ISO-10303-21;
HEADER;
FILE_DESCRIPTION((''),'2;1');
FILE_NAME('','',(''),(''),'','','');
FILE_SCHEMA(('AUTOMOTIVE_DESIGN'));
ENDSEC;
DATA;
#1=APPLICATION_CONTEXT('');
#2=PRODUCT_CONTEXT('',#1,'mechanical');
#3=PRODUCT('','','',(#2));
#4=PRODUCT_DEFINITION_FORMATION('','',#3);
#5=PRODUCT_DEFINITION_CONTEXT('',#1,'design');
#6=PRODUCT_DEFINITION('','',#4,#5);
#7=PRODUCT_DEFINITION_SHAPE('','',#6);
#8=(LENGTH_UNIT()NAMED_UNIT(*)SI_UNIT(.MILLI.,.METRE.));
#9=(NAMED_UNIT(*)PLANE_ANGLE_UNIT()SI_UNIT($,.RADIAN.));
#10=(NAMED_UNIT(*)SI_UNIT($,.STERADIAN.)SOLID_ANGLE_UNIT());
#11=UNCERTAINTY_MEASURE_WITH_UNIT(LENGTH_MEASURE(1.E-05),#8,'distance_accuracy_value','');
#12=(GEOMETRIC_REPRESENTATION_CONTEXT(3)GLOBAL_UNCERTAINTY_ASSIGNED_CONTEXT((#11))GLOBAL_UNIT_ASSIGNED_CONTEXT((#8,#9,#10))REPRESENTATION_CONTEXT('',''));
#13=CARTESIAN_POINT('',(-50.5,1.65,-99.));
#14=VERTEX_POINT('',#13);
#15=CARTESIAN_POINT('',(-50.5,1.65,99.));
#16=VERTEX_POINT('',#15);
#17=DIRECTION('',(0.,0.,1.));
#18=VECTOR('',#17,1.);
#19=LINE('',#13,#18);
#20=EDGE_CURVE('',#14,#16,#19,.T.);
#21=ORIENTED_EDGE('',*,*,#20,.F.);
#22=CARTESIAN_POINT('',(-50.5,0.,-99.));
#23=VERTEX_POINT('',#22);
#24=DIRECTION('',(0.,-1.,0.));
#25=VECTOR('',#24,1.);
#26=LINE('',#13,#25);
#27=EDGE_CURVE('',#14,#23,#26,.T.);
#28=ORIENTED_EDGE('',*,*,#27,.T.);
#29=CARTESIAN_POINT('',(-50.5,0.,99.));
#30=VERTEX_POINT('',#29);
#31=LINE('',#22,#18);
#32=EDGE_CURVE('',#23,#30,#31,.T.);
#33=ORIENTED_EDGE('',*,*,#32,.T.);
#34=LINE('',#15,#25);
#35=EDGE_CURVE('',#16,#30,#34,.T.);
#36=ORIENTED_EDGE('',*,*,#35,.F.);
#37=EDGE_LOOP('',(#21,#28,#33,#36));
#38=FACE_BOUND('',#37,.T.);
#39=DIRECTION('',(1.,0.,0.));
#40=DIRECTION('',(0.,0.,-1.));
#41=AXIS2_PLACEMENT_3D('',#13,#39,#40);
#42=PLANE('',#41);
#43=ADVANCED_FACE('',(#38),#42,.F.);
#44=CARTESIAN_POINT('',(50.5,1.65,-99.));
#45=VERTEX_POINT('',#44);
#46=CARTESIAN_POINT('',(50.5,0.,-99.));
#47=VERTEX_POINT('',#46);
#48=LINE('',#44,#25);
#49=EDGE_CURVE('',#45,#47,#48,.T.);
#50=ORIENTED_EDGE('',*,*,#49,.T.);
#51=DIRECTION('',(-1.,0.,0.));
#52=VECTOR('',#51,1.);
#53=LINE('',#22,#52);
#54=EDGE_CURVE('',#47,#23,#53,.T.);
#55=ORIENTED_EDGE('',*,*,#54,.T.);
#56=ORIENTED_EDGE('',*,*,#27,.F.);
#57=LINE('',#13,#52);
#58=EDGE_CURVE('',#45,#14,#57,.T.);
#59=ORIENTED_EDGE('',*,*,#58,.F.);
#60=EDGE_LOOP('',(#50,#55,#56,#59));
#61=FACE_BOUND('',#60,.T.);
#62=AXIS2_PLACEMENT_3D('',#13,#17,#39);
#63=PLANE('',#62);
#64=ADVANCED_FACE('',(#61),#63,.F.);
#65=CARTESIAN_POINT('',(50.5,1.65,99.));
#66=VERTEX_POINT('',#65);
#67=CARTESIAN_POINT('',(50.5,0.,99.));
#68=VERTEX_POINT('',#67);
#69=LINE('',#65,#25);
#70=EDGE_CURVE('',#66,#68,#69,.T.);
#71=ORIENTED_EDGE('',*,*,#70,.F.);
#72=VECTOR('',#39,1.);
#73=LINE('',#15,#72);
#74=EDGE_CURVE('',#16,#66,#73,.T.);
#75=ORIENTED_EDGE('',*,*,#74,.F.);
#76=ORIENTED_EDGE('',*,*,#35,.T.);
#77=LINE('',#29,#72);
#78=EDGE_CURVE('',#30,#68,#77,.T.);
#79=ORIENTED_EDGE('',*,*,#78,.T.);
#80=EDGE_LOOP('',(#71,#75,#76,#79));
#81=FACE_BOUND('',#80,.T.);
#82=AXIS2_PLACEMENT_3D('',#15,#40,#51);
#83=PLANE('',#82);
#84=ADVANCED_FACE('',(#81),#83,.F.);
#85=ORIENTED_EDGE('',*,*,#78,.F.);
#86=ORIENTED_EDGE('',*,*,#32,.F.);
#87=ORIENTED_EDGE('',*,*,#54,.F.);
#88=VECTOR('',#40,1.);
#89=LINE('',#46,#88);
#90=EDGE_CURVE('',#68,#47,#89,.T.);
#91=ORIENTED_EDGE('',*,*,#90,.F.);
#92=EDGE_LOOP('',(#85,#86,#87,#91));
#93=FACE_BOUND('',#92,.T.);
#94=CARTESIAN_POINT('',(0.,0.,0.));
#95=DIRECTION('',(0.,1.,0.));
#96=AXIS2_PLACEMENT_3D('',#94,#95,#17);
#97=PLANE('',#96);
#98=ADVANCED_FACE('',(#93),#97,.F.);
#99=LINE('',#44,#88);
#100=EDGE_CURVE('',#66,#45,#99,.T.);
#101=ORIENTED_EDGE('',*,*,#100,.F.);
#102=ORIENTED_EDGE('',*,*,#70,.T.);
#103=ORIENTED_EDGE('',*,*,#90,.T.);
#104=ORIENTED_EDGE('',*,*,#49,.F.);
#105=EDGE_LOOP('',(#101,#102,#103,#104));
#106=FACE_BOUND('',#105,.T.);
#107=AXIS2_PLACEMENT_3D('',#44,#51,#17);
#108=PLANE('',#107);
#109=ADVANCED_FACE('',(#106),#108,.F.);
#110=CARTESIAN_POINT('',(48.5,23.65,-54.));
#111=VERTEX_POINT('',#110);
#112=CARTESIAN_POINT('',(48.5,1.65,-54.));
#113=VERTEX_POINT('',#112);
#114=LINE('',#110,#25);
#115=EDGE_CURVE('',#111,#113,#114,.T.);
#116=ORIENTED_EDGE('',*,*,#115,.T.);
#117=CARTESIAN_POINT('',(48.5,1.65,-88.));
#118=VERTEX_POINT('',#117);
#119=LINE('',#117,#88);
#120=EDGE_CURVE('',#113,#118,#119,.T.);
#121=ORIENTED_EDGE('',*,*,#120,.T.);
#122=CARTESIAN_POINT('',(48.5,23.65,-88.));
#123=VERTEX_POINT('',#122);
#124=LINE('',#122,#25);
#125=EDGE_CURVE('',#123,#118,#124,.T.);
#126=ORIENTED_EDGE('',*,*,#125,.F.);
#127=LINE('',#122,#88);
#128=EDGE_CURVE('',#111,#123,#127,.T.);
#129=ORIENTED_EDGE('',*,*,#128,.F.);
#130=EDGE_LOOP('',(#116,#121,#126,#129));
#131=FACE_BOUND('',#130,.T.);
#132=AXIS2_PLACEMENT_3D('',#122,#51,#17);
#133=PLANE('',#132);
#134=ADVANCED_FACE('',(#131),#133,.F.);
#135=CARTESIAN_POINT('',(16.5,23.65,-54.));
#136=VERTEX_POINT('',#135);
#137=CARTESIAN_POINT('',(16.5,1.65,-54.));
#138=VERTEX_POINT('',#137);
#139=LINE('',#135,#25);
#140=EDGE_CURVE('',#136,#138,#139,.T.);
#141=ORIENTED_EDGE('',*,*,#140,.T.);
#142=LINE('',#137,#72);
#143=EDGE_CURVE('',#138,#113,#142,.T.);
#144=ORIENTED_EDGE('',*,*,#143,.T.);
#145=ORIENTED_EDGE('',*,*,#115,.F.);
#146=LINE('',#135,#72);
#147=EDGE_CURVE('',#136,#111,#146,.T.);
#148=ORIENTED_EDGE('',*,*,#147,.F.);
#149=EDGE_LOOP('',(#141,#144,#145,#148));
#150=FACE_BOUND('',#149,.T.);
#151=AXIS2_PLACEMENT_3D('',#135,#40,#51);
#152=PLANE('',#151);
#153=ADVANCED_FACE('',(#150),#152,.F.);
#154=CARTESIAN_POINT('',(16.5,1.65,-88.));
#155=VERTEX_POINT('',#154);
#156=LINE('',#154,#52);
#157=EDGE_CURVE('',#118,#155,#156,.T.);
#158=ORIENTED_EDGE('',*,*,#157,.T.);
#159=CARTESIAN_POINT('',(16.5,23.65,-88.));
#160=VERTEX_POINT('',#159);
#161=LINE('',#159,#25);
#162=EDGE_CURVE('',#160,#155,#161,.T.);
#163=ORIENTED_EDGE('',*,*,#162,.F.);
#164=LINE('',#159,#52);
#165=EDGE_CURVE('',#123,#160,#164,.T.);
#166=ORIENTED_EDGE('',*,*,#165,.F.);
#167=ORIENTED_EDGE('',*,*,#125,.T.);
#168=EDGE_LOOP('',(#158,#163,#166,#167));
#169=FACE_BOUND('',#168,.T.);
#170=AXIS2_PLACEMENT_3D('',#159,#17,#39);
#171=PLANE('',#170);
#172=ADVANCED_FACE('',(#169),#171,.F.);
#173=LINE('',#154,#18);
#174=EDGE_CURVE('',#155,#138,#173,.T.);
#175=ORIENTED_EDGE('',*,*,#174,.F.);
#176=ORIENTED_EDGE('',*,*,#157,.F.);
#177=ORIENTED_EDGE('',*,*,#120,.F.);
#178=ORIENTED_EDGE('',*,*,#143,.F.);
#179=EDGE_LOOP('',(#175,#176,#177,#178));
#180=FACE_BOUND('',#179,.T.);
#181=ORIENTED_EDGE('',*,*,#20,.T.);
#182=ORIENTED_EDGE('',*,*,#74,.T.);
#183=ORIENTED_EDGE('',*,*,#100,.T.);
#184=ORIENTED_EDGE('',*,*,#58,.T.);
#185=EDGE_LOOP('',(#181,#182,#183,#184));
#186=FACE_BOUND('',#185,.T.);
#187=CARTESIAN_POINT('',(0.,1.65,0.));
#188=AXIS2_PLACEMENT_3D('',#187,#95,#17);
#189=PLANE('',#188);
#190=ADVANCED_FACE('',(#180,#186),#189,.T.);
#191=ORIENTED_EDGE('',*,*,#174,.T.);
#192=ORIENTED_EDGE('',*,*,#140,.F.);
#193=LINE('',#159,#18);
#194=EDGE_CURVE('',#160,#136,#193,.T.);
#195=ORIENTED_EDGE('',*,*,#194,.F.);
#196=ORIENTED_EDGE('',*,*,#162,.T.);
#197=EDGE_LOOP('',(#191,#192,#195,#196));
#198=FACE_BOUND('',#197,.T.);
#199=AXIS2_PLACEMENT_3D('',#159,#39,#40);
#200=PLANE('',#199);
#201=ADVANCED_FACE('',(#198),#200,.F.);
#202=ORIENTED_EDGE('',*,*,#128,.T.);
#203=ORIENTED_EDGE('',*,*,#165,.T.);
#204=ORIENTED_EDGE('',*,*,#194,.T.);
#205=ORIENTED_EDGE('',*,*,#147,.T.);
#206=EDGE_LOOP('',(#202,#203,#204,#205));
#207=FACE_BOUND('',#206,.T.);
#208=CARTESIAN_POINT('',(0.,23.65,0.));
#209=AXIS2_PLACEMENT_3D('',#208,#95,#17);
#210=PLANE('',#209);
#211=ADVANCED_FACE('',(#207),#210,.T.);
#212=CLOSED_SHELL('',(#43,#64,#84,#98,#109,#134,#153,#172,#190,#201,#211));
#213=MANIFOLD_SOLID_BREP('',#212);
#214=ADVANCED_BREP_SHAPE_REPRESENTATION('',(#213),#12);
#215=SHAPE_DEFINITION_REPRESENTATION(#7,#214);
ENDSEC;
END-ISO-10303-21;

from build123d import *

# Parameters (mm, degrees)
SKETCH1_W      = 101
SKETCH1_H      = 198
HV_BOARD_DEPTH = 1.65
SKETCH2_W      = 32
SKETCH2_H      = 34
INDUCTOR_DEPTH = 22


with BuildPart() as part:
    # Sketch1 → HV Board (new body)
    with BuildSketch(Plane(origin=(0, 0, 0), x_dir=(1, 0, 0), z_dir=(0, 1, 0))):
        Rectangle(SKETCH1_W, SKETCH1_H)
    extrude(amount=HV_BOARD_DEPTH)

    # Sketch2 → Inductor (add)
    with BuildSketch(Plane(origin=(0, 1.65, 0), x_dir=(1, 0, 0), z_dir=(0, 1, 0))):
        with Locations((32.5, 71)):
            Rectangle(SKETCH2_W, SKETCH2_H)
    extrude(amount=INDUCTOR_DEPTH)


solid = part.part
